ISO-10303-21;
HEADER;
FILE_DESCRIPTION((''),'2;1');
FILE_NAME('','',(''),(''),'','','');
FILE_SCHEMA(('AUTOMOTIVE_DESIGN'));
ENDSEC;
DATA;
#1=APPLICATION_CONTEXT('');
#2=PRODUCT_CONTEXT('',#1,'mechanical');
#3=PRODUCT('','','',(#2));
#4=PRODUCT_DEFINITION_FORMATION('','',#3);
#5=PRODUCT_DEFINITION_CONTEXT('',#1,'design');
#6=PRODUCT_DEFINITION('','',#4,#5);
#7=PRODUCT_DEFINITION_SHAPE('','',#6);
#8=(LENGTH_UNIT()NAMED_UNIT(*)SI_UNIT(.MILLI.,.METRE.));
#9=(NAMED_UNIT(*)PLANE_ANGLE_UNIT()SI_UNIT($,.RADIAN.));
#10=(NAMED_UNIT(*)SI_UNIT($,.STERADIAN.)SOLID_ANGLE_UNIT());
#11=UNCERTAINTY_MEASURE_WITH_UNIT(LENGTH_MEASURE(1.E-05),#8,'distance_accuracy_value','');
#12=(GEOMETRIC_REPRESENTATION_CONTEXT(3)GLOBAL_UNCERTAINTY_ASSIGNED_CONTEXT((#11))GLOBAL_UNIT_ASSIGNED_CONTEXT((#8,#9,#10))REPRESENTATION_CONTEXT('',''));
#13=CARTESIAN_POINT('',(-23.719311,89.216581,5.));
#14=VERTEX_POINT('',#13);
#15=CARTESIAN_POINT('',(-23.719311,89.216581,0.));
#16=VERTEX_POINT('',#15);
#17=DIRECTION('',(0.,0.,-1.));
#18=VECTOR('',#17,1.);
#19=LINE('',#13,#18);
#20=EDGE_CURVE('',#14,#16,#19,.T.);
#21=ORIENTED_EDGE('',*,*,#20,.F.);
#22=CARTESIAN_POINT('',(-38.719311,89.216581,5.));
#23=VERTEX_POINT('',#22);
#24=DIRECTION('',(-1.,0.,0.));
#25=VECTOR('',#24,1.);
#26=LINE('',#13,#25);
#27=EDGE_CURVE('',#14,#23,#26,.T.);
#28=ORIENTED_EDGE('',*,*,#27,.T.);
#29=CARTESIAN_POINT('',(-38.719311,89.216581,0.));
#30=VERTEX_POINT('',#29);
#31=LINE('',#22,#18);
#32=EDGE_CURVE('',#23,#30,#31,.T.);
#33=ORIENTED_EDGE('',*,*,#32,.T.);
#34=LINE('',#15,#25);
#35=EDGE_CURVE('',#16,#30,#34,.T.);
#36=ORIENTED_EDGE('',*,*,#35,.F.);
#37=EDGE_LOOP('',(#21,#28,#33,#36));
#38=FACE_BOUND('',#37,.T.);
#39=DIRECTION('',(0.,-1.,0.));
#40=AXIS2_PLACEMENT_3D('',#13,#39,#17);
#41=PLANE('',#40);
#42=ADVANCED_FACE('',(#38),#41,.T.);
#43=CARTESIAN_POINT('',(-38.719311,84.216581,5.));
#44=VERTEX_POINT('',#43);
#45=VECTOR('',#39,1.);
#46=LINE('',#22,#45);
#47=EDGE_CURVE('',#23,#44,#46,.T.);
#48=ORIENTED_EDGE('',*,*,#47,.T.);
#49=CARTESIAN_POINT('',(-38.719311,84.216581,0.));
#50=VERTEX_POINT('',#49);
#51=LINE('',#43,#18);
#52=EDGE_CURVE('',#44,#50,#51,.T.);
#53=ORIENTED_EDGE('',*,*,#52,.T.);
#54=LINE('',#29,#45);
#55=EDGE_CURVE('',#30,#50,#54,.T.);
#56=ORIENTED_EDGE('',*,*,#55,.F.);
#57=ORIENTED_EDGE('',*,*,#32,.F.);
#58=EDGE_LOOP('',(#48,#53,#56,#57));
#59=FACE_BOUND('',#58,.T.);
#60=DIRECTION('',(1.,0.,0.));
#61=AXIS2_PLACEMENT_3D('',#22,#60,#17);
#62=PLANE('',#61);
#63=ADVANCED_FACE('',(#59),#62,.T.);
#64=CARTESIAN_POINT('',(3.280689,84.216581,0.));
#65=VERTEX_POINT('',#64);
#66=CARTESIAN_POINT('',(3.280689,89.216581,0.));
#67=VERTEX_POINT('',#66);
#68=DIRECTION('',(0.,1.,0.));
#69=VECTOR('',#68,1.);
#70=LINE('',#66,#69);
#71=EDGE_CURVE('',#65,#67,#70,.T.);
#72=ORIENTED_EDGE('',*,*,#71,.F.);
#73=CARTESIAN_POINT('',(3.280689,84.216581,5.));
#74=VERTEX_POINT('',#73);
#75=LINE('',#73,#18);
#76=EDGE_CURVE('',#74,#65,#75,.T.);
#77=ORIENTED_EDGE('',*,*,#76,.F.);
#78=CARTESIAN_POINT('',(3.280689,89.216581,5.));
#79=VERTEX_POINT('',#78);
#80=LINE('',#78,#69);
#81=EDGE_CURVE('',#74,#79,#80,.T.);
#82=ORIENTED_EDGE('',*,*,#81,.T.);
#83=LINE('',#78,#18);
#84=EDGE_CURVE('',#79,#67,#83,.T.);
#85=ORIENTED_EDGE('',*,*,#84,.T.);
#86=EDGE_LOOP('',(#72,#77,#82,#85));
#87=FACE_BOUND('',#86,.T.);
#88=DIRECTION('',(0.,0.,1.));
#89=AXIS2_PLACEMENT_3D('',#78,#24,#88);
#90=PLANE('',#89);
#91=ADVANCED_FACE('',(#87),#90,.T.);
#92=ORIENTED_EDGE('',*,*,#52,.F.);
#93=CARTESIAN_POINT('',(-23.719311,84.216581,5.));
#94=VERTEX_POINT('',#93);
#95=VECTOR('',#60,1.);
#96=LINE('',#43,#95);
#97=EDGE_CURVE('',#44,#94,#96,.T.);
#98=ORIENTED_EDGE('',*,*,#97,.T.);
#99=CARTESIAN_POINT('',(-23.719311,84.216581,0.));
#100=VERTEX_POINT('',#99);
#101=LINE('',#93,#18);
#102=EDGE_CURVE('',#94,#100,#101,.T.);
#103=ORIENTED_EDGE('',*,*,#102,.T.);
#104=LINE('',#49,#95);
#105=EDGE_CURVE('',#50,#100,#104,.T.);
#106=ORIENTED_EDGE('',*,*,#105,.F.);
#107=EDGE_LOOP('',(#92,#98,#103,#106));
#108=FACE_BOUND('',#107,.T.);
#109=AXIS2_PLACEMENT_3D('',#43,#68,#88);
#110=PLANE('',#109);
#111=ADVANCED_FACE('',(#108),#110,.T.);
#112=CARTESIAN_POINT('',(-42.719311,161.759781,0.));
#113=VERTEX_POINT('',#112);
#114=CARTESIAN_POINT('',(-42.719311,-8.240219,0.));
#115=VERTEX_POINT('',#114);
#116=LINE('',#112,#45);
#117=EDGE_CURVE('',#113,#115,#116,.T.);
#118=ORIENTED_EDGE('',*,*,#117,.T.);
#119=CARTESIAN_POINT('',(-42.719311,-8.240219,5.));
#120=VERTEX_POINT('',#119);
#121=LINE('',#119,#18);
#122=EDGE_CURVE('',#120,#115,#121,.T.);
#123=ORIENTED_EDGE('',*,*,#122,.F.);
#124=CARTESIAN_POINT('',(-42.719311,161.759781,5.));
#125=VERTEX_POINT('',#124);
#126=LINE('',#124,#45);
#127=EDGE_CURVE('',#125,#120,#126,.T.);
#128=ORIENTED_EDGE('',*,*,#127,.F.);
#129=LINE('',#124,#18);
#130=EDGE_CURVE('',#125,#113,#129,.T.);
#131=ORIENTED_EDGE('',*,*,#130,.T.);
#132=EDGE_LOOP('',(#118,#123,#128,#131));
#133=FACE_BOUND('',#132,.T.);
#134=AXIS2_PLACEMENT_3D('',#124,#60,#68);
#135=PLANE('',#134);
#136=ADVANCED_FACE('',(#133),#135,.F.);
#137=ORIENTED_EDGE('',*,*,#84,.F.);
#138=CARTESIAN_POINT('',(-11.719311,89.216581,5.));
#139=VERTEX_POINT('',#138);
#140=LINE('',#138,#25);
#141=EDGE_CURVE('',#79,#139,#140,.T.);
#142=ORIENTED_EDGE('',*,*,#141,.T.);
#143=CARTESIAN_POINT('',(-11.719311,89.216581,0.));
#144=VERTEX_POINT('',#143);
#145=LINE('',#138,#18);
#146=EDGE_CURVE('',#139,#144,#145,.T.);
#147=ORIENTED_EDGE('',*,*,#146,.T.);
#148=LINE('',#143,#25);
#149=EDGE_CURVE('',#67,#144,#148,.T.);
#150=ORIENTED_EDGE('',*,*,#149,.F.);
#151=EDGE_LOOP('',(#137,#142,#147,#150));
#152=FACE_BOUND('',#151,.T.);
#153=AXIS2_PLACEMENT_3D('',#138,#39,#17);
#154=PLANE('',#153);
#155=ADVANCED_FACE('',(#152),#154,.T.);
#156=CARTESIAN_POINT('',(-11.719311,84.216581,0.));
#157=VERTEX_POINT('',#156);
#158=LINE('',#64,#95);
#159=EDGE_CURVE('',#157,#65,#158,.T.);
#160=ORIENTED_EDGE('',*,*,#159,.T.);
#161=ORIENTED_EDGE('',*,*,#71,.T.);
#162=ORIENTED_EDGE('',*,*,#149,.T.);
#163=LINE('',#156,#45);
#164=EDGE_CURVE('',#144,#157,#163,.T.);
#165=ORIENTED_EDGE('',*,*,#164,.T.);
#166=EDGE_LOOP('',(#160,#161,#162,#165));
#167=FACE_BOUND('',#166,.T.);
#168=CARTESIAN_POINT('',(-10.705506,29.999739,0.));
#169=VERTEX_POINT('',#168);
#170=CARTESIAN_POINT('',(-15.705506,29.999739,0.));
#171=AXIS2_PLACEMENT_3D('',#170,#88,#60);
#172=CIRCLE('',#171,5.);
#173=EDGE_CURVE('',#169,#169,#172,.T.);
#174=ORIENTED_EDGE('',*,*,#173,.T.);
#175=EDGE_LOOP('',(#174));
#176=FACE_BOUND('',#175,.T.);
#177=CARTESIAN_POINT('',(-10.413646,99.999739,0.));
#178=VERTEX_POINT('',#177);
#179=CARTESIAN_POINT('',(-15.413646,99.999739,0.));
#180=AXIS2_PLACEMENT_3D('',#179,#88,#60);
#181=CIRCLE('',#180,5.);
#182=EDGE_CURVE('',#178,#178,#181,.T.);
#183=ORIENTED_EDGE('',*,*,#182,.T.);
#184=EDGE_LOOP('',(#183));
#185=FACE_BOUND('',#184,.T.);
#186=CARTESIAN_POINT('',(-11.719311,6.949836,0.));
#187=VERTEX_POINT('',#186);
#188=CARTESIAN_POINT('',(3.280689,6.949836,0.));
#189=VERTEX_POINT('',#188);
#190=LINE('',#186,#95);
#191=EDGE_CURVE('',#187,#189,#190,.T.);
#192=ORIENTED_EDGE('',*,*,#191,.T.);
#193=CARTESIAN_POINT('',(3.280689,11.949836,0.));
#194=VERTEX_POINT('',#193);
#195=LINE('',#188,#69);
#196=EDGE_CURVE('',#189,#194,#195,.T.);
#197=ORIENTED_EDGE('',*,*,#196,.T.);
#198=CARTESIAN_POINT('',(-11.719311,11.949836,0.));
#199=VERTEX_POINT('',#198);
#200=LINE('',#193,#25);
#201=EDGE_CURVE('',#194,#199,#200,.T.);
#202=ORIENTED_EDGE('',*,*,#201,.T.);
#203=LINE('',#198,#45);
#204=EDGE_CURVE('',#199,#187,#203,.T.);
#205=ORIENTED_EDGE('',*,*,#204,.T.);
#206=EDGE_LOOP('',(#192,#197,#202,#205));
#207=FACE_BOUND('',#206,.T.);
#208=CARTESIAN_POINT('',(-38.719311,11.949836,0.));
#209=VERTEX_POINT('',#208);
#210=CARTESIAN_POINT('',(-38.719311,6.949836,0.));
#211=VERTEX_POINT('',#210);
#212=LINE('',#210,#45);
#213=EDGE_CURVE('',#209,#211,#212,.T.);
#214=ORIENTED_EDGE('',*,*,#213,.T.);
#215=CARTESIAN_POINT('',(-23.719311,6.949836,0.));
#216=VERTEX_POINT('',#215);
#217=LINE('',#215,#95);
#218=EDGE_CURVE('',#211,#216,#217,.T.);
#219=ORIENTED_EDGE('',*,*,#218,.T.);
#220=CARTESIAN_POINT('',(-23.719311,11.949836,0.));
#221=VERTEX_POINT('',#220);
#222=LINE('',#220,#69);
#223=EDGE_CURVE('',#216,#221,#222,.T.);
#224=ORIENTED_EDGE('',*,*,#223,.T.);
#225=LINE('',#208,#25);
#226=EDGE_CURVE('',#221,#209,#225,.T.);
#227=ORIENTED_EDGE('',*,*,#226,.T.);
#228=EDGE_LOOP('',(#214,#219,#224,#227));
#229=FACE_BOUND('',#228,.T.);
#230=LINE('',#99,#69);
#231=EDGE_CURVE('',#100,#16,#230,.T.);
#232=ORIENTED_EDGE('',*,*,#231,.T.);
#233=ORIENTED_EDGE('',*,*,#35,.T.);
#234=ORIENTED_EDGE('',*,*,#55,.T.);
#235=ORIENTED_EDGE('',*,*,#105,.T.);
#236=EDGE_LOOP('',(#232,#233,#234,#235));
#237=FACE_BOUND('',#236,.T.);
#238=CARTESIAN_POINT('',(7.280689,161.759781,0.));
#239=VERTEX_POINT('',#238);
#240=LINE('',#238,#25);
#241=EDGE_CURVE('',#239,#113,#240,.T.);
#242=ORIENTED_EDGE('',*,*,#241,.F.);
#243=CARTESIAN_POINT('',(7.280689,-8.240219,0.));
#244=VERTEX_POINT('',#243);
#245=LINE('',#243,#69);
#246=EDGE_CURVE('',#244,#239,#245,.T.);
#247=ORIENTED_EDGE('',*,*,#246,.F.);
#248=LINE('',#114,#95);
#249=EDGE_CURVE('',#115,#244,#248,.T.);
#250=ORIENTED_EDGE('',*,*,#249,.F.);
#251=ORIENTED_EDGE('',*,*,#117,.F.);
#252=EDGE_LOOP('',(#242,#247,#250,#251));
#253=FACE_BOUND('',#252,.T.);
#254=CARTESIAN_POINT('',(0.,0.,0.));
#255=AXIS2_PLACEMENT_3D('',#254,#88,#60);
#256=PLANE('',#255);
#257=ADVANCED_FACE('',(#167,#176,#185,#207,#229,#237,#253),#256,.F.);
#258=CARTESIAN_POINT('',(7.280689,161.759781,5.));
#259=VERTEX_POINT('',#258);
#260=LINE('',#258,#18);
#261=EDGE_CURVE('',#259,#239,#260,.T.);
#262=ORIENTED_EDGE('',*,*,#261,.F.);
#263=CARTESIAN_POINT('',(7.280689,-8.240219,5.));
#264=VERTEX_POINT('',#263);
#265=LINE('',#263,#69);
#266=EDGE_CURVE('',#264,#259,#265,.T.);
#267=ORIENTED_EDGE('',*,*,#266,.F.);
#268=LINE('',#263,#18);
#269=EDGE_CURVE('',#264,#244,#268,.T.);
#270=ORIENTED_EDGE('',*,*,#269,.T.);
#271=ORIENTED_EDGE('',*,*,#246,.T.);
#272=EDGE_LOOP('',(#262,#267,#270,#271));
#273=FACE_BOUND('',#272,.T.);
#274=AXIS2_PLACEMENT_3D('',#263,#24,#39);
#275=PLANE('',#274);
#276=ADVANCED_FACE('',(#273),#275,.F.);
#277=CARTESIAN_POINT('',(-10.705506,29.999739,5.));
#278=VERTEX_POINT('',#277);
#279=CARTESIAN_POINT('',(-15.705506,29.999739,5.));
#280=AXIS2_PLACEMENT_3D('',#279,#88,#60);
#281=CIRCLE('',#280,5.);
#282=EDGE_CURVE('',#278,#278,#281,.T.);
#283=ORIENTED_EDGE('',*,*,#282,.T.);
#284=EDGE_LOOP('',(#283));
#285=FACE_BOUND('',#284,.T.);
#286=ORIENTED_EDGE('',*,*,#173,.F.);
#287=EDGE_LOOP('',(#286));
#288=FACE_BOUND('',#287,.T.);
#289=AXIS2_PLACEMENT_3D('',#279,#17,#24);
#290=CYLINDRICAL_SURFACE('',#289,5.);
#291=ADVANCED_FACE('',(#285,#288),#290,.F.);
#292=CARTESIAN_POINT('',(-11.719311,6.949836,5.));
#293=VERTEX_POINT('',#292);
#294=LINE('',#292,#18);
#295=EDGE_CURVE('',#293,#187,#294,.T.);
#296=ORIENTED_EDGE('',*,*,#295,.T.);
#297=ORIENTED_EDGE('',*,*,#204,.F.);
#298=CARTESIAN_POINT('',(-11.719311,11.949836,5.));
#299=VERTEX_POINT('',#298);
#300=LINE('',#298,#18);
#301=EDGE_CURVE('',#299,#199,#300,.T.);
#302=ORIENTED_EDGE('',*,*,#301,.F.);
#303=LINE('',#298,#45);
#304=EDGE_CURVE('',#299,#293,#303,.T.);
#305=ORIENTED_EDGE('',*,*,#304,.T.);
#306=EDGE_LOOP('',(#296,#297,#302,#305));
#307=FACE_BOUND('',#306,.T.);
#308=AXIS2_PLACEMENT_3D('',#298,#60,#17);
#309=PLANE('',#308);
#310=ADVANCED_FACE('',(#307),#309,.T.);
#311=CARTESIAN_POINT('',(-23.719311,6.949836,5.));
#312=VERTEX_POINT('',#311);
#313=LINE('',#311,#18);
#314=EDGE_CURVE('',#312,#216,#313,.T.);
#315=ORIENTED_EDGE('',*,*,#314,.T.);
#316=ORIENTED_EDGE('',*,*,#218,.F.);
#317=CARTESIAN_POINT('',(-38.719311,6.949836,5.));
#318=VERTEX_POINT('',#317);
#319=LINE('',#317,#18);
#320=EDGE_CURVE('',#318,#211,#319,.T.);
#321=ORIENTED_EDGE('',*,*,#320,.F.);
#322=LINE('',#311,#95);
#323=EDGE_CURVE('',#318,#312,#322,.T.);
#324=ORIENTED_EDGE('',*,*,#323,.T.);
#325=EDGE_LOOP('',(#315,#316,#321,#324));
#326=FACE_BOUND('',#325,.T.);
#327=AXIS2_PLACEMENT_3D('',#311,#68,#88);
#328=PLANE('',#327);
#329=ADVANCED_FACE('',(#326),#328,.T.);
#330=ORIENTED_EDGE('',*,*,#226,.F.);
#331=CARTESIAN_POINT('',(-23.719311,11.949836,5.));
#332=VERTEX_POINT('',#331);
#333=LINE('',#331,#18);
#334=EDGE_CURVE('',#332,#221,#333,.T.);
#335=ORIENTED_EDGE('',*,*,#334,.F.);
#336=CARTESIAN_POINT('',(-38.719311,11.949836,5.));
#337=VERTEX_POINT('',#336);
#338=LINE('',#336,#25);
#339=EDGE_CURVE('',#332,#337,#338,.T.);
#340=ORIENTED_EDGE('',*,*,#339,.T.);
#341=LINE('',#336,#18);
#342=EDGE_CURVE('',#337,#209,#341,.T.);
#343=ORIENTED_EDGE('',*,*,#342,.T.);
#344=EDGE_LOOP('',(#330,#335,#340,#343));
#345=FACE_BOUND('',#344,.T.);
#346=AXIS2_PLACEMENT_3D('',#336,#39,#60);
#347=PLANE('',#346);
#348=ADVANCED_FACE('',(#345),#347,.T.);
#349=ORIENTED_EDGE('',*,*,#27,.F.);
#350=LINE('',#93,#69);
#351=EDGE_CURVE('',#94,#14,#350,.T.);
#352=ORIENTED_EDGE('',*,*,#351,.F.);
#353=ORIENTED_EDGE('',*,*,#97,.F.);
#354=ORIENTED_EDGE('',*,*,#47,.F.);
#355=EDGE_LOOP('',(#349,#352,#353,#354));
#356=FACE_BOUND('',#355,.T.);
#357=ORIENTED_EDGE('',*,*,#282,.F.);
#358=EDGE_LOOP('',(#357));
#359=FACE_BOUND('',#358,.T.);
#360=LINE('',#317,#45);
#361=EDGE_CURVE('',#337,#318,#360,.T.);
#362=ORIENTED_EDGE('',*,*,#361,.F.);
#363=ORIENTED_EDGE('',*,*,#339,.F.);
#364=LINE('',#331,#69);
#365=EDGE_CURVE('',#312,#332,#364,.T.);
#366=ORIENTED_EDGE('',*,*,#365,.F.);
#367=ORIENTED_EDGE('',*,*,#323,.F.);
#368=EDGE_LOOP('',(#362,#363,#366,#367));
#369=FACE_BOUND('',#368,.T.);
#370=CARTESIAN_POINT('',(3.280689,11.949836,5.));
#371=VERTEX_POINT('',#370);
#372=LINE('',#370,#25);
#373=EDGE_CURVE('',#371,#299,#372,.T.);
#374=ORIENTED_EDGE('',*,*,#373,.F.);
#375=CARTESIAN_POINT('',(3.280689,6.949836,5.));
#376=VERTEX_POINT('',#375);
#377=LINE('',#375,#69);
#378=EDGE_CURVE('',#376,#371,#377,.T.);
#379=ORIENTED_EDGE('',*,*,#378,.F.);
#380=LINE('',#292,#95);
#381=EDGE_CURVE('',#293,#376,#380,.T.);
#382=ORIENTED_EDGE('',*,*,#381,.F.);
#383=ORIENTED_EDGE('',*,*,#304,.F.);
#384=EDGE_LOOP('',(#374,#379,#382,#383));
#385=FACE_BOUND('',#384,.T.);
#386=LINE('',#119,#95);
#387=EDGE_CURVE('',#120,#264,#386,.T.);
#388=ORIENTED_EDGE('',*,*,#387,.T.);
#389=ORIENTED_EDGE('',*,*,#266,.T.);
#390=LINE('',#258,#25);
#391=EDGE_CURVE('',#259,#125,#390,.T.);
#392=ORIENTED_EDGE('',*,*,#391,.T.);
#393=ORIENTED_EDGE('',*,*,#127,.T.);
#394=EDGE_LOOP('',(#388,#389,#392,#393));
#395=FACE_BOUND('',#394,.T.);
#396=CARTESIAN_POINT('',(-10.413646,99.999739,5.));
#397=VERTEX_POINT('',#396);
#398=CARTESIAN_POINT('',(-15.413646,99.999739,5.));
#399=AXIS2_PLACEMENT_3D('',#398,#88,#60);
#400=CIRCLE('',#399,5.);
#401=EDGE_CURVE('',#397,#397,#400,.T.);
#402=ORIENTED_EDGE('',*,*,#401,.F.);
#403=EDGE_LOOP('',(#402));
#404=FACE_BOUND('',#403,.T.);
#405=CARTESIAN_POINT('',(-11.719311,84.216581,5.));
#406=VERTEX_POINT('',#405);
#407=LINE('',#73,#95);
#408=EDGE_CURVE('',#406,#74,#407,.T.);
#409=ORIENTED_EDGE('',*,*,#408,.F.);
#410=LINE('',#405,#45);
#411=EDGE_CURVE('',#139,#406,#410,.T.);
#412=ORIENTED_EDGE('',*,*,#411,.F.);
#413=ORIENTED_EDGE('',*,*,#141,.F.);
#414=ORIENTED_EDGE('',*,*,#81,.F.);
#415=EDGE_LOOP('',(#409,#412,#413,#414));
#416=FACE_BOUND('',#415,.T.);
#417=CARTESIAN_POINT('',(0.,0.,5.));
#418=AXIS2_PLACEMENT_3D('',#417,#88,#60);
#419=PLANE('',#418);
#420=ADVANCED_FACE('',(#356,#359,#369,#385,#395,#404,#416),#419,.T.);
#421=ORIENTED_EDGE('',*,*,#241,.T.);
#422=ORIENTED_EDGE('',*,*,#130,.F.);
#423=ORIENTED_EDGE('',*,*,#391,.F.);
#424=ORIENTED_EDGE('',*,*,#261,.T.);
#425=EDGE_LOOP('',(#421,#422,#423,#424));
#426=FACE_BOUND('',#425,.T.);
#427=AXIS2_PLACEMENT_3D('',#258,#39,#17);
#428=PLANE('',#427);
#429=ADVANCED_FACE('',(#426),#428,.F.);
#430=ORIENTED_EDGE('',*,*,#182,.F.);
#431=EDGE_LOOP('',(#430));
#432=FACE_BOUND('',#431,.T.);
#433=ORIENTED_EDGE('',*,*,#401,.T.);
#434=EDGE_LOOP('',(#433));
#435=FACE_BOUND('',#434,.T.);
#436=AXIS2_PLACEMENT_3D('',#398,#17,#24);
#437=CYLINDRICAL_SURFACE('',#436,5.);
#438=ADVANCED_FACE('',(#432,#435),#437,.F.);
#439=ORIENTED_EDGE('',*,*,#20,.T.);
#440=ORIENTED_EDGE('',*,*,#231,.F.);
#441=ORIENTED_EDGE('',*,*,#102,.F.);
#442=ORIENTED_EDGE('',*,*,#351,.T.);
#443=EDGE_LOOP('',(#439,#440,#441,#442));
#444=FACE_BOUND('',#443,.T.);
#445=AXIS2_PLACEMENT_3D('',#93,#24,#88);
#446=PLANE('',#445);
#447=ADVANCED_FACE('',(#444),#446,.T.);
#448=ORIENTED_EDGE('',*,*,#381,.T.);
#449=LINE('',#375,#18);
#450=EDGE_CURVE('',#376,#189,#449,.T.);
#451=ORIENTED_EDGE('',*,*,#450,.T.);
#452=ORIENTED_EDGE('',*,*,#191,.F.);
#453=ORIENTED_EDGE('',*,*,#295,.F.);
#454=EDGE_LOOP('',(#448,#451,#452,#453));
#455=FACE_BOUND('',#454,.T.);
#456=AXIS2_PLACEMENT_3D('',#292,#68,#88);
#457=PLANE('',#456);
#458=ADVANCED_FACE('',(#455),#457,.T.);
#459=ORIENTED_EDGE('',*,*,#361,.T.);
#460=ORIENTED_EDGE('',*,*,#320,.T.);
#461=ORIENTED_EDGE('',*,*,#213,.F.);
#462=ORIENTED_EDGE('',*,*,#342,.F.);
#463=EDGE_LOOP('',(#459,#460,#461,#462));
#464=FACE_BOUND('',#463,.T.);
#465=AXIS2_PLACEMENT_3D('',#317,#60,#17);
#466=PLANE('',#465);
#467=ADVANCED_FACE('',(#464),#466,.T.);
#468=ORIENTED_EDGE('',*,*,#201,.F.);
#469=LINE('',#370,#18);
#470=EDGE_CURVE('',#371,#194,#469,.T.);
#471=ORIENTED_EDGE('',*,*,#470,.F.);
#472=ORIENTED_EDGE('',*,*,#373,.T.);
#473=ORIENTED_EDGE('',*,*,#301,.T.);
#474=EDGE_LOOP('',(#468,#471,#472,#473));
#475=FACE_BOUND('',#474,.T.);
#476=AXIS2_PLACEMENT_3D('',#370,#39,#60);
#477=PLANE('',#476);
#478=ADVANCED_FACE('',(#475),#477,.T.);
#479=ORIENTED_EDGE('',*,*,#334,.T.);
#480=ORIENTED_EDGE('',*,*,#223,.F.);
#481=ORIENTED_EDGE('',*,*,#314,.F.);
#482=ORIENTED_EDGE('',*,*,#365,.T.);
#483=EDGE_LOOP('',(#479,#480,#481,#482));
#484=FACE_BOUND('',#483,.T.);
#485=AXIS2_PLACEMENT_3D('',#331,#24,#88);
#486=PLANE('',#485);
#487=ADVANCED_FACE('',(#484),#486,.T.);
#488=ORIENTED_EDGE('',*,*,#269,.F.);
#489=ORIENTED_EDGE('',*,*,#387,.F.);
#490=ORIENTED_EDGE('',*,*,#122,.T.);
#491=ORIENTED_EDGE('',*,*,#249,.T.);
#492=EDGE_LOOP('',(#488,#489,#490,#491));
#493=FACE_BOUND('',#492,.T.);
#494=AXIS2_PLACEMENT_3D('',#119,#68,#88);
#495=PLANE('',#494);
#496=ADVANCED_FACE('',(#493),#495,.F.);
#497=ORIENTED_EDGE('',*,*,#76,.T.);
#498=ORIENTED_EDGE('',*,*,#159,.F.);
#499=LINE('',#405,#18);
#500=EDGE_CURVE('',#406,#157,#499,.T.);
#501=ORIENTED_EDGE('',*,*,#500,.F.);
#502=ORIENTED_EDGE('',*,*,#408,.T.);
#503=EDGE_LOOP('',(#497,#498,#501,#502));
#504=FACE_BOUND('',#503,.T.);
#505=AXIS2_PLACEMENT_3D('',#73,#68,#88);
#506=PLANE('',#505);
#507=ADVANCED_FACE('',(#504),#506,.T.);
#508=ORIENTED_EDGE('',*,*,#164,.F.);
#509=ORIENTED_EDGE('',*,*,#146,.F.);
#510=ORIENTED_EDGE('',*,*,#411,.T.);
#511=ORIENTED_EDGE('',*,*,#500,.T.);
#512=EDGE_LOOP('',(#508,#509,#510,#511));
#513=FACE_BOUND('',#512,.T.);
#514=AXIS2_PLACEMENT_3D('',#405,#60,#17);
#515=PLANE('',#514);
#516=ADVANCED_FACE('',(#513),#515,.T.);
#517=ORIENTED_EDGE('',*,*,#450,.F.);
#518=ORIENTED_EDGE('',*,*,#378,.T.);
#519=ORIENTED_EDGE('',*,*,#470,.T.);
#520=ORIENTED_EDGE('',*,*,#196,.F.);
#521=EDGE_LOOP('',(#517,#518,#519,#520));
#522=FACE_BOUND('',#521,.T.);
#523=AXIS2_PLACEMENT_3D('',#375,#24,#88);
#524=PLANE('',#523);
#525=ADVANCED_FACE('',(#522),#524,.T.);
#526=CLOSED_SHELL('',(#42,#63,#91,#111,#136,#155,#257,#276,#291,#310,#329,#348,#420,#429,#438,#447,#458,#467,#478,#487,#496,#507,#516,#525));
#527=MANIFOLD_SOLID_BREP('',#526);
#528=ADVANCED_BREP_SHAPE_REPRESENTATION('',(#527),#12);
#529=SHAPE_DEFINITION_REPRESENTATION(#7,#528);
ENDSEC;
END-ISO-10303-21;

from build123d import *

# Parameters (mm, degrees)
SKETCH1_W           = 50
SKETCH1_H           = 170
SKETCH1_R           = 5
SKETCH1_W_2         = 15
SKETCH1_H_2         = 5
BOSS_EXTRUDE1_DEPTH = 5


with BuildPart() as part:
    # Sketch1 → Boss-Extrude1 (new body)
    with BuildSketch(Plane.XY):
        with Locations((-17.719310928, 76.759780871)):
            Rectangle(SKETCH1_W, SKETCH1_H)
        with Locations((-15.705505676, 29.999739242)):
            Circle(SKETCH1_R, mode=Mode.SUBTRACT)
        with Locations((-15.413646235, 99.999739242)):
            Circle(SKETCH1_R, mode=Mode.SUBTRACT)
        with Locations((-31.219310928, 9.449835726)):
            Rectangle(SKETCH1_W_2, SKETCH1_H_2, mode=Mode.SUBTRACT)
        with Locations((-31.219310928, 86.716581053)):
            Rectangle(SKETCH1_W_2, SKETCH1_H_2, mode=Mode.SUBTRACT)
        with Locations((-4.219310928, 86.716581053)):
            Rectangle(SKETCH1_W_2, SKETCH1_H_2, mode=Mode.SUBTRACT)
        with Locations((-4.219310928, 9.449835726)):
            Rectangle(SKETCH1_W_2, SKETCH1_H_2, mode=Mode.SUBTRACT)
    extrude(amount=BOSS_EXTRUDE1_DEPTH)


solid = part.part
